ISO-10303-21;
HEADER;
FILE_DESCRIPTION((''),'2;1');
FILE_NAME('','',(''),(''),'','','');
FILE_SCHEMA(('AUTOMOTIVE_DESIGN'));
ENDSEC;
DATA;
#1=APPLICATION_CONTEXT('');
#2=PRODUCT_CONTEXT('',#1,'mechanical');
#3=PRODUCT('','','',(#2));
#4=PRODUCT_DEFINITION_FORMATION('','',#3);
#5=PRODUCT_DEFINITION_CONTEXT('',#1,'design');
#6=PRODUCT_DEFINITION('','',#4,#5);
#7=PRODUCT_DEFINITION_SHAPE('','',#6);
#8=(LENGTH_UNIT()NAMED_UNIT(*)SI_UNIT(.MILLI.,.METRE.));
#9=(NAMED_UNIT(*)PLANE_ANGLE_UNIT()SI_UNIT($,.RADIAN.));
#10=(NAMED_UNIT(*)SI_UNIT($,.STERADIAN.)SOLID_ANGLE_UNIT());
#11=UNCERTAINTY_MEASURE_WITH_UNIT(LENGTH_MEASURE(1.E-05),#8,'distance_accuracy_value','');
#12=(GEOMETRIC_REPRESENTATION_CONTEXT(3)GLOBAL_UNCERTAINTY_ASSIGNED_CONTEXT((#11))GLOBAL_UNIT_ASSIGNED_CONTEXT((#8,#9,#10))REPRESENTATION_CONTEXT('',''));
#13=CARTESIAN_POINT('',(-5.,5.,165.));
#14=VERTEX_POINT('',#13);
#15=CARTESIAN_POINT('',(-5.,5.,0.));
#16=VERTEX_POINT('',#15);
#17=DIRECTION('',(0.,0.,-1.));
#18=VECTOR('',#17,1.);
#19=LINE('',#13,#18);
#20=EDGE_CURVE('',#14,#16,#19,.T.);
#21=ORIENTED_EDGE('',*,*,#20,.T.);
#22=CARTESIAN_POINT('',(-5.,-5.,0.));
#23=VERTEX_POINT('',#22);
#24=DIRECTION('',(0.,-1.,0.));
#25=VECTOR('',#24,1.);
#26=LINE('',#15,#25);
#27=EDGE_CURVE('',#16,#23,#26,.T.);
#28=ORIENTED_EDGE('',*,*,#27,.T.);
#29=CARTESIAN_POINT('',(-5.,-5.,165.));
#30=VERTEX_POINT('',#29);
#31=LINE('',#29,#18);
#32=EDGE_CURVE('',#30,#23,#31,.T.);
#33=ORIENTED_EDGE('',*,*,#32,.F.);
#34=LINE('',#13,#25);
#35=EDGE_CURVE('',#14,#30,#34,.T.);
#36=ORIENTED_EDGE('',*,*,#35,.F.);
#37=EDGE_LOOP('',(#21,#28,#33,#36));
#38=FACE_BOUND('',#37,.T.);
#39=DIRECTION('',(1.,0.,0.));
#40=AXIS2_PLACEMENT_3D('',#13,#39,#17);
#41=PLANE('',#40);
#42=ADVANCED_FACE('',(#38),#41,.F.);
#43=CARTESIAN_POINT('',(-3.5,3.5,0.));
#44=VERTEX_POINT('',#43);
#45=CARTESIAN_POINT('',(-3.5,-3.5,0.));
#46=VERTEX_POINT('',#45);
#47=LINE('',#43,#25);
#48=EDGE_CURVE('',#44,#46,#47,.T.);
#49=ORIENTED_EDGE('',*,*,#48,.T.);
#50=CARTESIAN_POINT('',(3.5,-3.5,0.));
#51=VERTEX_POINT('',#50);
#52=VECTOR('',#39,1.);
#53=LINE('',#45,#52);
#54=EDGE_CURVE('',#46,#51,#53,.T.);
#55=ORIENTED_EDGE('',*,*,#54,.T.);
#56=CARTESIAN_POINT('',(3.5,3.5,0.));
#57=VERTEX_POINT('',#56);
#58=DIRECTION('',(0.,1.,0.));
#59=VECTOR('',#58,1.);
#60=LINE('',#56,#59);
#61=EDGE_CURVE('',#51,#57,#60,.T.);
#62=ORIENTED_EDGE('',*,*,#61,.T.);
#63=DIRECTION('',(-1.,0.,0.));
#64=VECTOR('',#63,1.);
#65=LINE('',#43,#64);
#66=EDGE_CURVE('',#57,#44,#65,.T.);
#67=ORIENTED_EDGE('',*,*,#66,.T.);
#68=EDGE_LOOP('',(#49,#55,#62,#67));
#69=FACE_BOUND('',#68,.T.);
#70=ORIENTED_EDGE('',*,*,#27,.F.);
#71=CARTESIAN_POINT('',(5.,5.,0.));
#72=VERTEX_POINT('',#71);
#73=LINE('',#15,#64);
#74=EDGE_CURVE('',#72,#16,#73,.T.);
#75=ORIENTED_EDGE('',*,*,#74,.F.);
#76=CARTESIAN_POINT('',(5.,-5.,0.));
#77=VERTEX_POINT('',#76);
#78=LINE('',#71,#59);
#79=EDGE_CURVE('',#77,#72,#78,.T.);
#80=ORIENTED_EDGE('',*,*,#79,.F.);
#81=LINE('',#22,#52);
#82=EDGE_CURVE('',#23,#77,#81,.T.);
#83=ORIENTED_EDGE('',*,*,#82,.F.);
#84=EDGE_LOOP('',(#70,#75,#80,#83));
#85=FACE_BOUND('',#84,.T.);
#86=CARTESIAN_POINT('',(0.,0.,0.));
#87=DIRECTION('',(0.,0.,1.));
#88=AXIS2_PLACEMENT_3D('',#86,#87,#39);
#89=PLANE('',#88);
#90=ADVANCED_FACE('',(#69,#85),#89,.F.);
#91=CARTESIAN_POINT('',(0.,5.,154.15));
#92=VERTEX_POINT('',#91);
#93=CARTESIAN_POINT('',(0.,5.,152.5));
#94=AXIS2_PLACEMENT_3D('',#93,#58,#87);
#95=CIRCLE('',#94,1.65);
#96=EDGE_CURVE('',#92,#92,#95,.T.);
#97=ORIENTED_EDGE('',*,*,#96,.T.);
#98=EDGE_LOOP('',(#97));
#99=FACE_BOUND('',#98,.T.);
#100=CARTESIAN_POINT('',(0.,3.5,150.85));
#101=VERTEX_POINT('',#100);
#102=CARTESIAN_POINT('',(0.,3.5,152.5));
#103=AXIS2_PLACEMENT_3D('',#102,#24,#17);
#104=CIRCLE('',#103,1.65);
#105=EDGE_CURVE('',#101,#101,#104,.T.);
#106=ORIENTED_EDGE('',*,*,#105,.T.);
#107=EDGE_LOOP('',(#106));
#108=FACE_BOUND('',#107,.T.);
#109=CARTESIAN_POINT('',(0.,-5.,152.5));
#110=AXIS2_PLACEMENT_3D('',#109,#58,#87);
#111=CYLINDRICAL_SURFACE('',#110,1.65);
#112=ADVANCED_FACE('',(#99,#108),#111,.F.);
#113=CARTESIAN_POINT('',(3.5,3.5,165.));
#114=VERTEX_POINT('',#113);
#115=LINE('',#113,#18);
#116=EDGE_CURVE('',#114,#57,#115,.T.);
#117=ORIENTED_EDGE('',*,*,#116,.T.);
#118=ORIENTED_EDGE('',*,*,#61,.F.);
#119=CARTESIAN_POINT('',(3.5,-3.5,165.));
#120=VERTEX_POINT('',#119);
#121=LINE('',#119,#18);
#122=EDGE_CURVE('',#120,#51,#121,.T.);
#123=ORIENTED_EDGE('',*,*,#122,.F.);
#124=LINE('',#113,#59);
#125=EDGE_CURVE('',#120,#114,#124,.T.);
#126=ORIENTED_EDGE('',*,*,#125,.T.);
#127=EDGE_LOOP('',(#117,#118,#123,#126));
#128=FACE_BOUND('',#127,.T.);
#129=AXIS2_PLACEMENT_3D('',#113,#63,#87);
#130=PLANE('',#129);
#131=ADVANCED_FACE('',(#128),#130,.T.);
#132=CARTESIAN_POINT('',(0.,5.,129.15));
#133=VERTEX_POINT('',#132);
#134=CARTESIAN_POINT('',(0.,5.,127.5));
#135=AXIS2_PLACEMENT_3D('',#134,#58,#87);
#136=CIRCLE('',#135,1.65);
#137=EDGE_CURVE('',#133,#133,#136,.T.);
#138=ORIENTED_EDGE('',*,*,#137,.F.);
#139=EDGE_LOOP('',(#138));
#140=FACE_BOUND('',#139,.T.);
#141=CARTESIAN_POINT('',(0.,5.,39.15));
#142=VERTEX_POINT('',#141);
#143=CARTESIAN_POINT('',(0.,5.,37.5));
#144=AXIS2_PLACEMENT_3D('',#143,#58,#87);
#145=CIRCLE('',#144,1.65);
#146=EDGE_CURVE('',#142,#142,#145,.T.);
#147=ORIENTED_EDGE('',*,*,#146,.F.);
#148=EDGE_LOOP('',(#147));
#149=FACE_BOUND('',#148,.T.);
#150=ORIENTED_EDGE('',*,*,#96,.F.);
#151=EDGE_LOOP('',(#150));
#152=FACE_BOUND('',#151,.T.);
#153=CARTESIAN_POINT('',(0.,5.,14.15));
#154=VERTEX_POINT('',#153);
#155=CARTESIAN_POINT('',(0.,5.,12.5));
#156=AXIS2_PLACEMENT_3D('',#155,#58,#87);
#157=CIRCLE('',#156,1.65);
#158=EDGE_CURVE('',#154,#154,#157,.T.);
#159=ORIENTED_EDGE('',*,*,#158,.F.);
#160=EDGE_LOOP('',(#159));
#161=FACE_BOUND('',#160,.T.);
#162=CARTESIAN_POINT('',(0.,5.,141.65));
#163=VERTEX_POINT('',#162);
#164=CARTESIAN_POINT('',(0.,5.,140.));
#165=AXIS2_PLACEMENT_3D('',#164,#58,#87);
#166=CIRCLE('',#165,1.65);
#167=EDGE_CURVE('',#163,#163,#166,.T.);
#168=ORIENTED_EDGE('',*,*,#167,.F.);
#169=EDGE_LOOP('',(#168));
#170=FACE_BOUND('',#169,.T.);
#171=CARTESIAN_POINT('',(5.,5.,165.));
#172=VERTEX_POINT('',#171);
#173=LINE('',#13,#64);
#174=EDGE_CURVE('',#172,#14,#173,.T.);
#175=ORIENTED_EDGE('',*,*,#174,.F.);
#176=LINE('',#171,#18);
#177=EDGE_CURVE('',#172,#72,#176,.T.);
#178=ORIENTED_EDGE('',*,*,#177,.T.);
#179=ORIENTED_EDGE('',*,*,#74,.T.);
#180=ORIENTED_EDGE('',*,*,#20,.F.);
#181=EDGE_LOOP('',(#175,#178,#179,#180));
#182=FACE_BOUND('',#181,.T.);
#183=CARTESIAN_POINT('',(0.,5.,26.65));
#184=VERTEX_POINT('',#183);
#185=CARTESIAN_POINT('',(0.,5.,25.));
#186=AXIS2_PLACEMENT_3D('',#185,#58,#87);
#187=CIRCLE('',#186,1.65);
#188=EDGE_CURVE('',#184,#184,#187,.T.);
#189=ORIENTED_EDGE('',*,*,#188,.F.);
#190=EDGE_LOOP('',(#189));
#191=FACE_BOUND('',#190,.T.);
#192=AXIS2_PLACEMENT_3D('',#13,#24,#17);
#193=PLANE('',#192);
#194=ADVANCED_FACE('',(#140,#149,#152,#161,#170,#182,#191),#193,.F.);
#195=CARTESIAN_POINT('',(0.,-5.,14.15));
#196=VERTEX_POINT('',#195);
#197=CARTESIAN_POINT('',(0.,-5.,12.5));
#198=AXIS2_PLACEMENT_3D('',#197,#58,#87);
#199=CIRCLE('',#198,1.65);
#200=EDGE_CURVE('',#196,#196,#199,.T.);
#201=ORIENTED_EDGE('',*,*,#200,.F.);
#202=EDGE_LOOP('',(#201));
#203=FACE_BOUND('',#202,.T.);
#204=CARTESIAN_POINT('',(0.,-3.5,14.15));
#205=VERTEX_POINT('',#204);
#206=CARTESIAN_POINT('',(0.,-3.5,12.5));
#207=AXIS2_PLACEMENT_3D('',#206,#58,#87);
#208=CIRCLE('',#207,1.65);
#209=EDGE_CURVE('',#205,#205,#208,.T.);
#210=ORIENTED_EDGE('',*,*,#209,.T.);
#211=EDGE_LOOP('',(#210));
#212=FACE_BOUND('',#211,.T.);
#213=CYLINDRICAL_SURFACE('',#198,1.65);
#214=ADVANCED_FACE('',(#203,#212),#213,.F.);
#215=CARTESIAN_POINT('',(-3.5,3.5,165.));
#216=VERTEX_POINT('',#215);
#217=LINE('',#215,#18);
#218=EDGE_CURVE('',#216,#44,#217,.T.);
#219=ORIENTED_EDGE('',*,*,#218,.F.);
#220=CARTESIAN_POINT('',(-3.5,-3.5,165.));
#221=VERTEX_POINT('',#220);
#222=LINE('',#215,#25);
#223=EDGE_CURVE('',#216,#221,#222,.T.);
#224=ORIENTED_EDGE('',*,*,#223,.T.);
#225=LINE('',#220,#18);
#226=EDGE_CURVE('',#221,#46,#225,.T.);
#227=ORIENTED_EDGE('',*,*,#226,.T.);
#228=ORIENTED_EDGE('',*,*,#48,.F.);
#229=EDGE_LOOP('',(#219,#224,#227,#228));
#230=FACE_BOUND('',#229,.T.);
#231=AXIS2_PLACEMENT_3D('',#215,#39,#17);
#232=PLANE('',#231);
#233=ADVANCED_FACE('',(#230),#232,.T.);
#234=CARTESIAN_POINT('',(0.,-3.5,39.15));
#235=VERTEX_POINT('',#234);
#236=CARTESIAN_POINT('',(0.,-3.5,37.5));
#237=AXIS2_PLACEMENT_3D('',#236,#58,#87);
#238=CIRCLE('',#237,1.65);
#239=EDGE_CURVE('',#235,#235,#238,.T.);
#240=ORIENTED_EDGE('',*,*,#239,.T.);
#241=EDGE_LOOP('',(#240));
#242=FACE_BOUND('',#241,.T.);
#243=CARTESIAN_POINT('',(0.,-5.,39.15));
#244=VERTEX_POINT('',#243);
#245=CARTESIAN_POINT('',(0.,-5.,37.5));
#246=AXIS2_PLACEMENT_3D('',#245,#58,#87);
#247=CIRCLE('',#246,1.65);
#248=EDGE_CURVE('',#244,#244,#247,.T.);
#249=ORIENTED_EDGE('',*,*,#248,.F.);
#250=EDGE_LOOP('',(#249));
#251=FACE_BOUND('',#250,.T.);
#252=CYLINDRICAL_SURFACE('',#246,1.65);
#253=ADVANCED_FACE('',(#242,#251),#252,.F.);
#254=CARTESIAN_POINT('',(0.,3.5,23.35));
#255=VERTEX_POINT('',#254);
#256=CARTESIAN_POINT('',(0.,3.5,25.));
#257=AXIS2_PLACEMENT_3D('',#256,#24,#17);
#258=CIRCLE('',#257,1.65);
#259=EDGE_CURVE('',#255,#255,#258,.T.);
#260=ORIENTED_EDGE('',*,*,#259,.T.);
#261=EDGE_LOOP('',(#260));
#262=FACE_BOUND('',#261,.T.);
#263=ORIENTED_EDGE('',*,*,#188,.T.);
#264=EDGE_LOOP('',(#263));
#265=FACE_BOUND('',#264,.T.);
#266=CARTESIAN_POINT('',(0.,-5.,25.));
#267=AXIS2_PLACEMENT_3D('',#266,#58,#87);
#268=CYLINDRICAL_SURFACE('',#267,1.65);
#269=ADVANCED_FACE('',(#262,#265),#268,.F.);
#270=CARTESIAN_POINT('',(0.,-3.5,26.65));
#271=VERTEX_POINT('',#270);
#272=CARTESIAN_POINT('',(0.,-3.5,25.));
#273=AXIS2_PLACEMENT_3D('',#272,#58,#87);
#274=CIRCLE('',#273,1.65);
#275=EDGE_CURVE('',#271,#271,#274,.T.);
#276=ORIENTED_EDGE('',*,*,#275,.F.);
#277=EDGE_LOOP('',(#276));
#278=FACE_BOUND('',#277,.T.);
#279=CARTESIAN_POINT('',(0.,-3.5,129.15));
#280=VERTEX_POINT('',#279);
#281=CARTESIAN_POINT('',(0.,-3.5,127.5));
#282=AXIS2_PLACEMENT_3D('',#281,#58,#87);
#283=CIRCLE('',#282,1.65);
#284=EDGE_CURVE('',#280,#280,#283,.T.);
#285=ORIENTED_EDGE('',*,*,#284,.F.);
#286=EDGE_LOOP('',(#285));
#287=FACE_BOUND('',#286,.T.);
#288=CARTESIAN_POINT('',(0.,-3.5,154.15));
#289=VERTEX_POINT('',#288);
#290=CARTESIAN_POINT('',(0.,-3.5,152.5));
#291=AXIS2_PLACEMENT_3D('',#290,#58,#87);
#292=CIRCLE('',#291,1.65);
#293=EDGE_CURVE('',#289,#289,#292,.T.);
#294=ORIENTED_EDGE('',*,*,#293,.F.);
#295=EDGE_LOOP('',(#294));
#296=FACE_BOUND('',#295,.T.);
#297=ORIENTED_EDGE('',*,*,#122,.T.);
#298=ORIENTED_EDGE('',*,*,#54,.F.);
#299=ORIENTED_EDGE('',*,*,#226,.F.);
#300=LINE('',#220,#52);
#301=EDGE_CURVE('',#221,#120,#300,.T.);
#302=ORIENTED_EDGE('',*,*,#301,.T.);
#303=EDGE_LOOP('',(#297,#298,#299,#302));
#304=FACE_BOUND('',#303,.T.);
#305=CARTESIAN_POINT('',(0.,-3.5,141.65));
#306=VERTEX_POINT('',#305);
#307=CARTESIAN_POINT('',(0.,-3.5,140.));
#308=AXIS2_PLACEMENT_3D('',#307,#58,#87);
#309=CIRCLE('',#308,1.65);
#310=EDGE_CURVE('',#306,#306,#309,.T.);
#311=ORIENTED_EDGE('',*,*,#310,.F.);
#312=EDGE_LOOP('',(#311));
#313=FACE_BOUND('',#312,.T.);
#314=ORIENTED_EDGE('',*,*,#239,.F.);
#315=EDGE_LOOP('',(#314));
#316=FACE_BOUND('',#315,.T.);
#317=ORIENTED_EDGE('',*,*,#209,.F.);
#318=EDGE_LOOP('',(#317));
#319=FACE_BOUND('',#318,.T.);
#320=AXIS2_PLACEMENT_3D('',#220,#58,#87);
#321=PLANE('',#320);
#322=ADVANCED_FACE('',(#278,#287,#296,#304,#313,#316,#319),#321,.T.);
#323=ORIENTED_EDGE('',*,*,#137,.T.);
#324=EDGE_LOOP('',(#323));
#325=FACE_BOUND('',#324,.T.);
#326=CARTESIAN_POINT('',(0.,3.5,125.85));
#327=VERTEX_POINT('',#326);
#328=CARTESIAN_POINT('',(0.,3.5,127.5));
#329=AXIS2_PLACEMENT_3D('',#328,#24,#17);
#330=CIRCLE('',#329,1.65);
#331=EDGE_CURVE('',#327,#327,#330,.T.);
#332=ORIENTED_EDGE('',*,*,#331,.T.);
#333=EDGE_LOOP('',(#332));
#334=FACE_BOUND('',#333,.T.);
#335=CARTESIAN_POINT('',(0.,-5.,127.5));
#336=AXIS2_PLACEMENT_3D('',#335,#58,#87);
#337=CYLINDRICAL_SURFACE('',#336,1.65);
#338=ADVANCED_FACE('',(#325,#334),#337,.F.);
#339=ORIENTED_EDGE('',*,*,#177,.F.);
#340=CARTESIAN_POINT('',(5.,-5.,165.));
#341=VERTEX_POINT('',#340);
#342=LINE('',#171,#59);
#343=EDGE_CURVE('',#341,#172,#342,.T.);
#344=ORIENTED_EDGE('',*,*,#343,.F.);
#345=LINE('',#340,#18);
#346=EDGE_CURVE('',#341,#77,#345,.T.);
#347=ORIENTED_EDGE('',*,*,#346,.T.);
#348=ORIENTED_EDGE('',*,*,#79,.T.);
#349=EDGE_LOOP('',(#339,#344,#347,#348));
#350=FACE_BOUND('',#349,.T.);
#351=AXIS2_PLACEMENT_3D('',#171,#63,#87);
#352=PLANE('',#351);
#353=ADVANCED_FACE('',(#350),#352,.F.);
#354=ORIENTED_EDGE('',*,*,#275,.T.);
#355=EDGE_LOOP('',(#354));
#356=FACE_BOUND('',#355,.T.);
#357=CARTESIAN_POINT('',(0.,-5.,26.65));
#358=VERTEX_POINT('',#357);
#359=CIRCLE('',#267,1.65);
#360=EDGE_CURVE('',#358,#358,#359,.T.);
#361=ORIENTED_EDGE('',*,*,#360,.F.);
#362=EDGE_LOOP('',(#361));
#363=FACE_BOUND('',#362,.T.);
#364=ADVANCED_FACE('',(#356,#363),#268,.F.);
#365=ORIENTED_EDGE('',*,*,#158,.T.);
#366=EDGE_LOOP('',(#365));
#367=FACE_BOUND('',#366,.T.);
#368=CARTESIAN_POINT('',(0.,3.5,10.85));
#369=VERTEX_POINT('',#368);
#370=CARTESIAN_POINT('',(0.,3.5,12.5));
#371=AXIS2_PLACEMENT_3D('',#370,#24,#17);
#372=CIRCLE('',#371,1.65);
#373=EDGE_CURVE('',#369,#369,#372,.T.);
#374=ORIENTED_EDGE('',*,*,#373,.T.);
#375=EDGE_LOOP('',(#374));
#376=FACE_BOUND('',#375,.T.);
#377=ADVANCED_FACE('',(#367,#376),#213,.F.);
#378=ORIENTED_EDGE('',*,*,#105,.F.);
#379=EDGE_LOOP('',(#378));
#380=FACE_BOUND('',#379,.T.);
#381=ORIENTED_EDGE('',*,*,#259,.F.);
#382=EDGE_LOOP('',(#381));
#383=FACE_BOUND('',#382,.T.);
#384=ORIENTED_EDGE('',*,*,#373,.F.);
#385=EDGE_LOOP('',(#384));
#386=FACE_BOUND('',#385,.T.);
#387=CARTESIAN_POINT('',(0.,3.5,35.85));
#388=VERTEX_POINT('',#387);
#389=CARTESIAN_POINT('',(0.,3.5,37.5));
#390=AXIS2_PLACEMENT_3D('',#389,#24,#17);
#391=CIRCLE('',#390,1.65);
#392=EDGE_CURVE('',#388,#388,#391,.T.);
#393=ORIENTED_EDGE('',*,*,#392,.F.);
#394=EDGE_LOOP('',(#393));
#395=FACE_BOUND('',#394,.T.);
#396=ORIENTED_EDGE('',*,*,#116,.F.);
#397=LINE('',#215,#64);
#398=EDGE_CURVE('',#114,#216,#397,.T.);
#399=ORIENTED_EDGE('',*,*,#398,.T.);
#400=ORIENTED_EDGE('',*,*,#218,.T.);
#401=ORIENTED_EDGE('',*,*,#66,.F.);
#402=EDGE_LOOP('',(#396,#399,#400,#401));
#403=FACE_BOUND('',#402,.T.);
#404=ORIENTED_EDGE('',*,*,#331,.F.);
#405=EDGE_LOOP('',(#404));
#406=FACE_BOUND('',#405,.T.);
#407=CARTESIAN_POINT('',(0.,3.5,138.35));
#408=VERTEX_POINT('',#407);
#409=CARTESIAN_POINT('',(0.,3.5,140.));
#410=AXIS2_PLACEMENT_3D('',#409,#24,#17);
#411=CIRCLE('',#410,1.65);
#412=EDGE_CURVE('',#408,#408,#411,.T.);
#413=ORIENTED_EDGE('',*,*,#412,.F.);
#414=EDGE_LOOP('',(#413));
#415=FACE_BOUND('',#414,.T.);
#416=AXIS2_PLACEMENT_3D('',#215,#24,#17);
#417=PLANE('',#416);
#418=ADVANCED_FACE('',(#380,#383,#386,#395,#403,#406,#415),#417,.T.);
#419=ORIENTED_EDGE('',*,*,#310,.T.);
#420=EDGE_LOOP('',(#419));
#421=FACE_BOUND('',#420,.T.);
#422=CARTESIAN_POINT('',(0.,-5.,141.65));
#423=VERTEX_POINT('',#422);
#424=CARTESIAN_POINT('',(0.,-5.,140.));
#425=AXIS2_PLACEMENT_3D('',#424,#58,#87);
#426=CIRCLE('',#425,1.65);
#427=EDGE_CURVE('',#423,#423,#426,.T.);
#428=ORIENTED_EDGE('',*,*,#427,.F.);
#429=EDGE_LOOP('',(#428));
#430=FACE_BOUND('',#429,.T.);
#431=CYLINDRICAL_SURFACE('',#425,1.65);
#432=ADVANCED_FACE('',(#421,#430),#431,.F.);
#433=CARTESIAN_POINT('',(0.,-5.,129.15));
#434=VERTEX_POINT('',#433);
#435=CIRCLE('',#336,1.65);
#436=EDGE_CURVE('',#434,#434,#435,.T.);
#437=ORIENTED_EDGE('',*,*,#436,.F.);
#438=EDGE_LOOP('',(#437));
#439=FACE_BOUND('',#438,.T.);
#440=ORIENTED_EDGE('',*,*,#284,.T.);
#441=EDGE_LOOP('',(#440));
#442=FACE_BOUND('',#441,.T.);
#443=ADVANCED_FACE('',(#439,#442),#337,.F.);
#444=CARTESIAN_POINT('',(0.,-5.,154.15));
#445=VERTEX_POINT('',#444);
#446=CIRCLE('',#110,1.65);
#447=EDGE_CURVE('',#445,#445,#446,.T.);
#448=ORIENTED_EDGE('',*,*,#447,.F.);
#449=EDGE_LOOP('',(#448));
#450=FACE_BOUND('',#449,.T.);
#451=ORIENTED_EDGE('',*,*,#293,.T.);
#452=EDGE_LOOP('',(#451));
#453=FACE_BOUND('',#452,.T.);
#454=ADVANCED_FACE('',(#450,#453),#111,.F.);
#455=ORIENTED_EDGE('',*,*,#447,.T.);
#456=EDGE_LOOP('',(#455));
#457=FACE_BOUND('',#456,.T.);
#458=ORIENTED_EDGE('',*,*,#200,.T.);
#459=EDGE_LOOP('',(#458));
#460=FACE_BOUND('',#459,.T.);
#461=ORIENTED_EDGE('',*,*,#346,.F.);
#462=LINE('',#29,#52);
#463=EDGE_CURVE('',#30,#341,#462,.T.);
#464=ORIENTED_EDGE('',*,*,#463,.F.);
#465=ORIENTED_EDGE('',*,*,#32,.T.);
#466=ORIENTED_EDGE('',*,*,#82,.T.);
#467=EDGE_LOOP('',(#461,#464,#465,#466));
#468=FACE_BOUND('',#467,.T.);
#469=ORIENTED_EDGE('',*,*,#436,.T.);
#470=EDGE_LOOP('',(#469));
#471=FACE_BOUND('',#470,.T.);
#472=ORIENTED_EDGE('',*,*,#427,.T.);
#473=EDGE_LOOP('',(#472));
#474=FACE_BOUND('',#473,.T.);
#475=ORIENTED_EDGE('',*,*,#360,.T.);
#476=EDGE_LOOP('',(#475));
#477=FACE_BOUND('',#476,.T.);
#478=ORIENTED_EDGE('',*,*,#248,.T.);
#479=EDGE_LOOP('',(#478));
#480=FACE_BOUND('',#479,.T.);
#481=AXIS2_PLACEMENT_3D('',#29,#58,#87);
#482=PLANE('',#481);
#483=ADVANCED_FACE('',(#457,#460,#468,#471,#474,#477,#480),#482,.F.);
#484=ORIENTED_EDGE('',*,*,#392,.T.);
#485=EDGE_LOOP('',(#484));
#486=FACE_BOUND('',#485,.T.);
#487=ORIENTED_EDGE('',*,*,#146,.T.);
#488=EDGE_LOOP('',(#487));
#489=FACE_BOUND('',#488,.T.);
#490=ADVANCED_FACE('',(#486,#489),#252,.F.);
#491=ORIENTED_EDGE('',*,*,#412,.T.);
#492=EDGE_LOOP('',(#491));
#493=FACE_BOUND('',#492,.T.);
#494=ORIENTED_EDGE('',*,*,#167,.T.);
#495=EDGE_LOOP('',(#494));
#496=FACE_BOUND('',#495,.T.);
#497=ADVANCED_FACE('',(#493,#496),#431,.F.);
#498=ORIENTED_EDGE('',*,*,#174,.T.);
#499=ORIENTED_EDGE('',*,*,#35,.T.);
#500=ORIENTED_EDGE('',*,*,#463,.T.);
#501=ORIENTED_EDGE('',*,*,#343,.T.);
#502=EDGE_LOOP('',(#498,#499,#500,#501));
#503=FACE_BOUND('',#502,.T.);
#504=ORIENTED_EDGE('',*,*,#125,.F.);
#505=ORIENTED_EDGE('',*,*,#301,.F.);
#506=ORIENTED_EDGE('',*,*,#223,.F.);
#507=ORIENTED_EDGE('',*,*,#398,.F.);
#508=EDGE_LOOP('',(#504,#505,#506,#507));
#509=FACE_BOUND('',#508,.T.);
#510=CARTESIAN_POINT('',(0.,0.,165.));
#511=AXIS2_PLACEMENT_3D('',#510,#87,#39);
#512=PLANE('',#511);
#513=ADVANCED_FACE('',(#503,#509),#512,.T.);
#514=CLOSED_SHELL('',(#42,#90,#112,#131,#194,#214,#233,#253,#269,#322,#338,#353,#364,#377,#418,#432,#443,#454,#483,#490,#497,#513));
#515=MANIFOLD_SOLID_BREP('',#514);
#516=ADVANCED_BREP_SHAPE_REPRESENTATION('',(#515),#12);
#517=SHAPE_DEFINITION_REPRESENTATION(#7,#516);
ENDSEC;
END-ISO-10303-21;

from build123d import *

# Parameters (mm, degrees)
SKETCH_1_W          = 10
SKETCH_1_H          = 10
SKETCH_1_W_2        = 7
SKETCH_1_H_2        = 7
EXTRUDE_1_DEPTH     = 165
SKETCH_2_R          = 1.65
CUT_EXTRUDE_1_DEPTH = 166.378354085


with BuildPart() as part:
    # 草图1 → 凸台-拉伸1 (new body)
    with BuildSketch(Plane.XY):
        Rectangle(SKETCH_1_W, SKETCH_1_H)
        Rectangle(SKETCH_1_W_2, SKETCH_1_H_2, mode=Mode.SUBTRACT)
    extrude(amount=EXTRUDE_1_DEPTH)

    # 草图2 → 切除-拉伸1 (cut, through all)
    with BuildSketch(Plane(origin=(0, 5, 0), x_dir=(1, 0, 0), z_dir=(0, 1, 0))):
        with Locations(Location((0, -12.5, 0), (0, 0, 270))):
            Circle(SKETCH_2_R)
        with Locations(Location((0, -25, 0), (0, 0, 270))):
            Circle(SKETCH_2_R)
        with Locations(Location((0, -37.5, 0), (0, 0, 270))):
            Circle(SKETCH_2_R)
        with Locations(Location((0, -127.5, 0), (0, 0, 270))):
            Circle(SKETCH_2_R)
        with Locations(Location((0, -140, 0), (0, 0, 270))):
            Circle(SKETCH_2_R)
        with Locations(Location((0, -152.5, 0), (0, 0, 270))):
            Circle(SKETCH_2_R)
    extrude(amount=-CUT_EXTRUDE_1_DEPTH, mode=Mode.SUBTRACT)


solid = part.part
